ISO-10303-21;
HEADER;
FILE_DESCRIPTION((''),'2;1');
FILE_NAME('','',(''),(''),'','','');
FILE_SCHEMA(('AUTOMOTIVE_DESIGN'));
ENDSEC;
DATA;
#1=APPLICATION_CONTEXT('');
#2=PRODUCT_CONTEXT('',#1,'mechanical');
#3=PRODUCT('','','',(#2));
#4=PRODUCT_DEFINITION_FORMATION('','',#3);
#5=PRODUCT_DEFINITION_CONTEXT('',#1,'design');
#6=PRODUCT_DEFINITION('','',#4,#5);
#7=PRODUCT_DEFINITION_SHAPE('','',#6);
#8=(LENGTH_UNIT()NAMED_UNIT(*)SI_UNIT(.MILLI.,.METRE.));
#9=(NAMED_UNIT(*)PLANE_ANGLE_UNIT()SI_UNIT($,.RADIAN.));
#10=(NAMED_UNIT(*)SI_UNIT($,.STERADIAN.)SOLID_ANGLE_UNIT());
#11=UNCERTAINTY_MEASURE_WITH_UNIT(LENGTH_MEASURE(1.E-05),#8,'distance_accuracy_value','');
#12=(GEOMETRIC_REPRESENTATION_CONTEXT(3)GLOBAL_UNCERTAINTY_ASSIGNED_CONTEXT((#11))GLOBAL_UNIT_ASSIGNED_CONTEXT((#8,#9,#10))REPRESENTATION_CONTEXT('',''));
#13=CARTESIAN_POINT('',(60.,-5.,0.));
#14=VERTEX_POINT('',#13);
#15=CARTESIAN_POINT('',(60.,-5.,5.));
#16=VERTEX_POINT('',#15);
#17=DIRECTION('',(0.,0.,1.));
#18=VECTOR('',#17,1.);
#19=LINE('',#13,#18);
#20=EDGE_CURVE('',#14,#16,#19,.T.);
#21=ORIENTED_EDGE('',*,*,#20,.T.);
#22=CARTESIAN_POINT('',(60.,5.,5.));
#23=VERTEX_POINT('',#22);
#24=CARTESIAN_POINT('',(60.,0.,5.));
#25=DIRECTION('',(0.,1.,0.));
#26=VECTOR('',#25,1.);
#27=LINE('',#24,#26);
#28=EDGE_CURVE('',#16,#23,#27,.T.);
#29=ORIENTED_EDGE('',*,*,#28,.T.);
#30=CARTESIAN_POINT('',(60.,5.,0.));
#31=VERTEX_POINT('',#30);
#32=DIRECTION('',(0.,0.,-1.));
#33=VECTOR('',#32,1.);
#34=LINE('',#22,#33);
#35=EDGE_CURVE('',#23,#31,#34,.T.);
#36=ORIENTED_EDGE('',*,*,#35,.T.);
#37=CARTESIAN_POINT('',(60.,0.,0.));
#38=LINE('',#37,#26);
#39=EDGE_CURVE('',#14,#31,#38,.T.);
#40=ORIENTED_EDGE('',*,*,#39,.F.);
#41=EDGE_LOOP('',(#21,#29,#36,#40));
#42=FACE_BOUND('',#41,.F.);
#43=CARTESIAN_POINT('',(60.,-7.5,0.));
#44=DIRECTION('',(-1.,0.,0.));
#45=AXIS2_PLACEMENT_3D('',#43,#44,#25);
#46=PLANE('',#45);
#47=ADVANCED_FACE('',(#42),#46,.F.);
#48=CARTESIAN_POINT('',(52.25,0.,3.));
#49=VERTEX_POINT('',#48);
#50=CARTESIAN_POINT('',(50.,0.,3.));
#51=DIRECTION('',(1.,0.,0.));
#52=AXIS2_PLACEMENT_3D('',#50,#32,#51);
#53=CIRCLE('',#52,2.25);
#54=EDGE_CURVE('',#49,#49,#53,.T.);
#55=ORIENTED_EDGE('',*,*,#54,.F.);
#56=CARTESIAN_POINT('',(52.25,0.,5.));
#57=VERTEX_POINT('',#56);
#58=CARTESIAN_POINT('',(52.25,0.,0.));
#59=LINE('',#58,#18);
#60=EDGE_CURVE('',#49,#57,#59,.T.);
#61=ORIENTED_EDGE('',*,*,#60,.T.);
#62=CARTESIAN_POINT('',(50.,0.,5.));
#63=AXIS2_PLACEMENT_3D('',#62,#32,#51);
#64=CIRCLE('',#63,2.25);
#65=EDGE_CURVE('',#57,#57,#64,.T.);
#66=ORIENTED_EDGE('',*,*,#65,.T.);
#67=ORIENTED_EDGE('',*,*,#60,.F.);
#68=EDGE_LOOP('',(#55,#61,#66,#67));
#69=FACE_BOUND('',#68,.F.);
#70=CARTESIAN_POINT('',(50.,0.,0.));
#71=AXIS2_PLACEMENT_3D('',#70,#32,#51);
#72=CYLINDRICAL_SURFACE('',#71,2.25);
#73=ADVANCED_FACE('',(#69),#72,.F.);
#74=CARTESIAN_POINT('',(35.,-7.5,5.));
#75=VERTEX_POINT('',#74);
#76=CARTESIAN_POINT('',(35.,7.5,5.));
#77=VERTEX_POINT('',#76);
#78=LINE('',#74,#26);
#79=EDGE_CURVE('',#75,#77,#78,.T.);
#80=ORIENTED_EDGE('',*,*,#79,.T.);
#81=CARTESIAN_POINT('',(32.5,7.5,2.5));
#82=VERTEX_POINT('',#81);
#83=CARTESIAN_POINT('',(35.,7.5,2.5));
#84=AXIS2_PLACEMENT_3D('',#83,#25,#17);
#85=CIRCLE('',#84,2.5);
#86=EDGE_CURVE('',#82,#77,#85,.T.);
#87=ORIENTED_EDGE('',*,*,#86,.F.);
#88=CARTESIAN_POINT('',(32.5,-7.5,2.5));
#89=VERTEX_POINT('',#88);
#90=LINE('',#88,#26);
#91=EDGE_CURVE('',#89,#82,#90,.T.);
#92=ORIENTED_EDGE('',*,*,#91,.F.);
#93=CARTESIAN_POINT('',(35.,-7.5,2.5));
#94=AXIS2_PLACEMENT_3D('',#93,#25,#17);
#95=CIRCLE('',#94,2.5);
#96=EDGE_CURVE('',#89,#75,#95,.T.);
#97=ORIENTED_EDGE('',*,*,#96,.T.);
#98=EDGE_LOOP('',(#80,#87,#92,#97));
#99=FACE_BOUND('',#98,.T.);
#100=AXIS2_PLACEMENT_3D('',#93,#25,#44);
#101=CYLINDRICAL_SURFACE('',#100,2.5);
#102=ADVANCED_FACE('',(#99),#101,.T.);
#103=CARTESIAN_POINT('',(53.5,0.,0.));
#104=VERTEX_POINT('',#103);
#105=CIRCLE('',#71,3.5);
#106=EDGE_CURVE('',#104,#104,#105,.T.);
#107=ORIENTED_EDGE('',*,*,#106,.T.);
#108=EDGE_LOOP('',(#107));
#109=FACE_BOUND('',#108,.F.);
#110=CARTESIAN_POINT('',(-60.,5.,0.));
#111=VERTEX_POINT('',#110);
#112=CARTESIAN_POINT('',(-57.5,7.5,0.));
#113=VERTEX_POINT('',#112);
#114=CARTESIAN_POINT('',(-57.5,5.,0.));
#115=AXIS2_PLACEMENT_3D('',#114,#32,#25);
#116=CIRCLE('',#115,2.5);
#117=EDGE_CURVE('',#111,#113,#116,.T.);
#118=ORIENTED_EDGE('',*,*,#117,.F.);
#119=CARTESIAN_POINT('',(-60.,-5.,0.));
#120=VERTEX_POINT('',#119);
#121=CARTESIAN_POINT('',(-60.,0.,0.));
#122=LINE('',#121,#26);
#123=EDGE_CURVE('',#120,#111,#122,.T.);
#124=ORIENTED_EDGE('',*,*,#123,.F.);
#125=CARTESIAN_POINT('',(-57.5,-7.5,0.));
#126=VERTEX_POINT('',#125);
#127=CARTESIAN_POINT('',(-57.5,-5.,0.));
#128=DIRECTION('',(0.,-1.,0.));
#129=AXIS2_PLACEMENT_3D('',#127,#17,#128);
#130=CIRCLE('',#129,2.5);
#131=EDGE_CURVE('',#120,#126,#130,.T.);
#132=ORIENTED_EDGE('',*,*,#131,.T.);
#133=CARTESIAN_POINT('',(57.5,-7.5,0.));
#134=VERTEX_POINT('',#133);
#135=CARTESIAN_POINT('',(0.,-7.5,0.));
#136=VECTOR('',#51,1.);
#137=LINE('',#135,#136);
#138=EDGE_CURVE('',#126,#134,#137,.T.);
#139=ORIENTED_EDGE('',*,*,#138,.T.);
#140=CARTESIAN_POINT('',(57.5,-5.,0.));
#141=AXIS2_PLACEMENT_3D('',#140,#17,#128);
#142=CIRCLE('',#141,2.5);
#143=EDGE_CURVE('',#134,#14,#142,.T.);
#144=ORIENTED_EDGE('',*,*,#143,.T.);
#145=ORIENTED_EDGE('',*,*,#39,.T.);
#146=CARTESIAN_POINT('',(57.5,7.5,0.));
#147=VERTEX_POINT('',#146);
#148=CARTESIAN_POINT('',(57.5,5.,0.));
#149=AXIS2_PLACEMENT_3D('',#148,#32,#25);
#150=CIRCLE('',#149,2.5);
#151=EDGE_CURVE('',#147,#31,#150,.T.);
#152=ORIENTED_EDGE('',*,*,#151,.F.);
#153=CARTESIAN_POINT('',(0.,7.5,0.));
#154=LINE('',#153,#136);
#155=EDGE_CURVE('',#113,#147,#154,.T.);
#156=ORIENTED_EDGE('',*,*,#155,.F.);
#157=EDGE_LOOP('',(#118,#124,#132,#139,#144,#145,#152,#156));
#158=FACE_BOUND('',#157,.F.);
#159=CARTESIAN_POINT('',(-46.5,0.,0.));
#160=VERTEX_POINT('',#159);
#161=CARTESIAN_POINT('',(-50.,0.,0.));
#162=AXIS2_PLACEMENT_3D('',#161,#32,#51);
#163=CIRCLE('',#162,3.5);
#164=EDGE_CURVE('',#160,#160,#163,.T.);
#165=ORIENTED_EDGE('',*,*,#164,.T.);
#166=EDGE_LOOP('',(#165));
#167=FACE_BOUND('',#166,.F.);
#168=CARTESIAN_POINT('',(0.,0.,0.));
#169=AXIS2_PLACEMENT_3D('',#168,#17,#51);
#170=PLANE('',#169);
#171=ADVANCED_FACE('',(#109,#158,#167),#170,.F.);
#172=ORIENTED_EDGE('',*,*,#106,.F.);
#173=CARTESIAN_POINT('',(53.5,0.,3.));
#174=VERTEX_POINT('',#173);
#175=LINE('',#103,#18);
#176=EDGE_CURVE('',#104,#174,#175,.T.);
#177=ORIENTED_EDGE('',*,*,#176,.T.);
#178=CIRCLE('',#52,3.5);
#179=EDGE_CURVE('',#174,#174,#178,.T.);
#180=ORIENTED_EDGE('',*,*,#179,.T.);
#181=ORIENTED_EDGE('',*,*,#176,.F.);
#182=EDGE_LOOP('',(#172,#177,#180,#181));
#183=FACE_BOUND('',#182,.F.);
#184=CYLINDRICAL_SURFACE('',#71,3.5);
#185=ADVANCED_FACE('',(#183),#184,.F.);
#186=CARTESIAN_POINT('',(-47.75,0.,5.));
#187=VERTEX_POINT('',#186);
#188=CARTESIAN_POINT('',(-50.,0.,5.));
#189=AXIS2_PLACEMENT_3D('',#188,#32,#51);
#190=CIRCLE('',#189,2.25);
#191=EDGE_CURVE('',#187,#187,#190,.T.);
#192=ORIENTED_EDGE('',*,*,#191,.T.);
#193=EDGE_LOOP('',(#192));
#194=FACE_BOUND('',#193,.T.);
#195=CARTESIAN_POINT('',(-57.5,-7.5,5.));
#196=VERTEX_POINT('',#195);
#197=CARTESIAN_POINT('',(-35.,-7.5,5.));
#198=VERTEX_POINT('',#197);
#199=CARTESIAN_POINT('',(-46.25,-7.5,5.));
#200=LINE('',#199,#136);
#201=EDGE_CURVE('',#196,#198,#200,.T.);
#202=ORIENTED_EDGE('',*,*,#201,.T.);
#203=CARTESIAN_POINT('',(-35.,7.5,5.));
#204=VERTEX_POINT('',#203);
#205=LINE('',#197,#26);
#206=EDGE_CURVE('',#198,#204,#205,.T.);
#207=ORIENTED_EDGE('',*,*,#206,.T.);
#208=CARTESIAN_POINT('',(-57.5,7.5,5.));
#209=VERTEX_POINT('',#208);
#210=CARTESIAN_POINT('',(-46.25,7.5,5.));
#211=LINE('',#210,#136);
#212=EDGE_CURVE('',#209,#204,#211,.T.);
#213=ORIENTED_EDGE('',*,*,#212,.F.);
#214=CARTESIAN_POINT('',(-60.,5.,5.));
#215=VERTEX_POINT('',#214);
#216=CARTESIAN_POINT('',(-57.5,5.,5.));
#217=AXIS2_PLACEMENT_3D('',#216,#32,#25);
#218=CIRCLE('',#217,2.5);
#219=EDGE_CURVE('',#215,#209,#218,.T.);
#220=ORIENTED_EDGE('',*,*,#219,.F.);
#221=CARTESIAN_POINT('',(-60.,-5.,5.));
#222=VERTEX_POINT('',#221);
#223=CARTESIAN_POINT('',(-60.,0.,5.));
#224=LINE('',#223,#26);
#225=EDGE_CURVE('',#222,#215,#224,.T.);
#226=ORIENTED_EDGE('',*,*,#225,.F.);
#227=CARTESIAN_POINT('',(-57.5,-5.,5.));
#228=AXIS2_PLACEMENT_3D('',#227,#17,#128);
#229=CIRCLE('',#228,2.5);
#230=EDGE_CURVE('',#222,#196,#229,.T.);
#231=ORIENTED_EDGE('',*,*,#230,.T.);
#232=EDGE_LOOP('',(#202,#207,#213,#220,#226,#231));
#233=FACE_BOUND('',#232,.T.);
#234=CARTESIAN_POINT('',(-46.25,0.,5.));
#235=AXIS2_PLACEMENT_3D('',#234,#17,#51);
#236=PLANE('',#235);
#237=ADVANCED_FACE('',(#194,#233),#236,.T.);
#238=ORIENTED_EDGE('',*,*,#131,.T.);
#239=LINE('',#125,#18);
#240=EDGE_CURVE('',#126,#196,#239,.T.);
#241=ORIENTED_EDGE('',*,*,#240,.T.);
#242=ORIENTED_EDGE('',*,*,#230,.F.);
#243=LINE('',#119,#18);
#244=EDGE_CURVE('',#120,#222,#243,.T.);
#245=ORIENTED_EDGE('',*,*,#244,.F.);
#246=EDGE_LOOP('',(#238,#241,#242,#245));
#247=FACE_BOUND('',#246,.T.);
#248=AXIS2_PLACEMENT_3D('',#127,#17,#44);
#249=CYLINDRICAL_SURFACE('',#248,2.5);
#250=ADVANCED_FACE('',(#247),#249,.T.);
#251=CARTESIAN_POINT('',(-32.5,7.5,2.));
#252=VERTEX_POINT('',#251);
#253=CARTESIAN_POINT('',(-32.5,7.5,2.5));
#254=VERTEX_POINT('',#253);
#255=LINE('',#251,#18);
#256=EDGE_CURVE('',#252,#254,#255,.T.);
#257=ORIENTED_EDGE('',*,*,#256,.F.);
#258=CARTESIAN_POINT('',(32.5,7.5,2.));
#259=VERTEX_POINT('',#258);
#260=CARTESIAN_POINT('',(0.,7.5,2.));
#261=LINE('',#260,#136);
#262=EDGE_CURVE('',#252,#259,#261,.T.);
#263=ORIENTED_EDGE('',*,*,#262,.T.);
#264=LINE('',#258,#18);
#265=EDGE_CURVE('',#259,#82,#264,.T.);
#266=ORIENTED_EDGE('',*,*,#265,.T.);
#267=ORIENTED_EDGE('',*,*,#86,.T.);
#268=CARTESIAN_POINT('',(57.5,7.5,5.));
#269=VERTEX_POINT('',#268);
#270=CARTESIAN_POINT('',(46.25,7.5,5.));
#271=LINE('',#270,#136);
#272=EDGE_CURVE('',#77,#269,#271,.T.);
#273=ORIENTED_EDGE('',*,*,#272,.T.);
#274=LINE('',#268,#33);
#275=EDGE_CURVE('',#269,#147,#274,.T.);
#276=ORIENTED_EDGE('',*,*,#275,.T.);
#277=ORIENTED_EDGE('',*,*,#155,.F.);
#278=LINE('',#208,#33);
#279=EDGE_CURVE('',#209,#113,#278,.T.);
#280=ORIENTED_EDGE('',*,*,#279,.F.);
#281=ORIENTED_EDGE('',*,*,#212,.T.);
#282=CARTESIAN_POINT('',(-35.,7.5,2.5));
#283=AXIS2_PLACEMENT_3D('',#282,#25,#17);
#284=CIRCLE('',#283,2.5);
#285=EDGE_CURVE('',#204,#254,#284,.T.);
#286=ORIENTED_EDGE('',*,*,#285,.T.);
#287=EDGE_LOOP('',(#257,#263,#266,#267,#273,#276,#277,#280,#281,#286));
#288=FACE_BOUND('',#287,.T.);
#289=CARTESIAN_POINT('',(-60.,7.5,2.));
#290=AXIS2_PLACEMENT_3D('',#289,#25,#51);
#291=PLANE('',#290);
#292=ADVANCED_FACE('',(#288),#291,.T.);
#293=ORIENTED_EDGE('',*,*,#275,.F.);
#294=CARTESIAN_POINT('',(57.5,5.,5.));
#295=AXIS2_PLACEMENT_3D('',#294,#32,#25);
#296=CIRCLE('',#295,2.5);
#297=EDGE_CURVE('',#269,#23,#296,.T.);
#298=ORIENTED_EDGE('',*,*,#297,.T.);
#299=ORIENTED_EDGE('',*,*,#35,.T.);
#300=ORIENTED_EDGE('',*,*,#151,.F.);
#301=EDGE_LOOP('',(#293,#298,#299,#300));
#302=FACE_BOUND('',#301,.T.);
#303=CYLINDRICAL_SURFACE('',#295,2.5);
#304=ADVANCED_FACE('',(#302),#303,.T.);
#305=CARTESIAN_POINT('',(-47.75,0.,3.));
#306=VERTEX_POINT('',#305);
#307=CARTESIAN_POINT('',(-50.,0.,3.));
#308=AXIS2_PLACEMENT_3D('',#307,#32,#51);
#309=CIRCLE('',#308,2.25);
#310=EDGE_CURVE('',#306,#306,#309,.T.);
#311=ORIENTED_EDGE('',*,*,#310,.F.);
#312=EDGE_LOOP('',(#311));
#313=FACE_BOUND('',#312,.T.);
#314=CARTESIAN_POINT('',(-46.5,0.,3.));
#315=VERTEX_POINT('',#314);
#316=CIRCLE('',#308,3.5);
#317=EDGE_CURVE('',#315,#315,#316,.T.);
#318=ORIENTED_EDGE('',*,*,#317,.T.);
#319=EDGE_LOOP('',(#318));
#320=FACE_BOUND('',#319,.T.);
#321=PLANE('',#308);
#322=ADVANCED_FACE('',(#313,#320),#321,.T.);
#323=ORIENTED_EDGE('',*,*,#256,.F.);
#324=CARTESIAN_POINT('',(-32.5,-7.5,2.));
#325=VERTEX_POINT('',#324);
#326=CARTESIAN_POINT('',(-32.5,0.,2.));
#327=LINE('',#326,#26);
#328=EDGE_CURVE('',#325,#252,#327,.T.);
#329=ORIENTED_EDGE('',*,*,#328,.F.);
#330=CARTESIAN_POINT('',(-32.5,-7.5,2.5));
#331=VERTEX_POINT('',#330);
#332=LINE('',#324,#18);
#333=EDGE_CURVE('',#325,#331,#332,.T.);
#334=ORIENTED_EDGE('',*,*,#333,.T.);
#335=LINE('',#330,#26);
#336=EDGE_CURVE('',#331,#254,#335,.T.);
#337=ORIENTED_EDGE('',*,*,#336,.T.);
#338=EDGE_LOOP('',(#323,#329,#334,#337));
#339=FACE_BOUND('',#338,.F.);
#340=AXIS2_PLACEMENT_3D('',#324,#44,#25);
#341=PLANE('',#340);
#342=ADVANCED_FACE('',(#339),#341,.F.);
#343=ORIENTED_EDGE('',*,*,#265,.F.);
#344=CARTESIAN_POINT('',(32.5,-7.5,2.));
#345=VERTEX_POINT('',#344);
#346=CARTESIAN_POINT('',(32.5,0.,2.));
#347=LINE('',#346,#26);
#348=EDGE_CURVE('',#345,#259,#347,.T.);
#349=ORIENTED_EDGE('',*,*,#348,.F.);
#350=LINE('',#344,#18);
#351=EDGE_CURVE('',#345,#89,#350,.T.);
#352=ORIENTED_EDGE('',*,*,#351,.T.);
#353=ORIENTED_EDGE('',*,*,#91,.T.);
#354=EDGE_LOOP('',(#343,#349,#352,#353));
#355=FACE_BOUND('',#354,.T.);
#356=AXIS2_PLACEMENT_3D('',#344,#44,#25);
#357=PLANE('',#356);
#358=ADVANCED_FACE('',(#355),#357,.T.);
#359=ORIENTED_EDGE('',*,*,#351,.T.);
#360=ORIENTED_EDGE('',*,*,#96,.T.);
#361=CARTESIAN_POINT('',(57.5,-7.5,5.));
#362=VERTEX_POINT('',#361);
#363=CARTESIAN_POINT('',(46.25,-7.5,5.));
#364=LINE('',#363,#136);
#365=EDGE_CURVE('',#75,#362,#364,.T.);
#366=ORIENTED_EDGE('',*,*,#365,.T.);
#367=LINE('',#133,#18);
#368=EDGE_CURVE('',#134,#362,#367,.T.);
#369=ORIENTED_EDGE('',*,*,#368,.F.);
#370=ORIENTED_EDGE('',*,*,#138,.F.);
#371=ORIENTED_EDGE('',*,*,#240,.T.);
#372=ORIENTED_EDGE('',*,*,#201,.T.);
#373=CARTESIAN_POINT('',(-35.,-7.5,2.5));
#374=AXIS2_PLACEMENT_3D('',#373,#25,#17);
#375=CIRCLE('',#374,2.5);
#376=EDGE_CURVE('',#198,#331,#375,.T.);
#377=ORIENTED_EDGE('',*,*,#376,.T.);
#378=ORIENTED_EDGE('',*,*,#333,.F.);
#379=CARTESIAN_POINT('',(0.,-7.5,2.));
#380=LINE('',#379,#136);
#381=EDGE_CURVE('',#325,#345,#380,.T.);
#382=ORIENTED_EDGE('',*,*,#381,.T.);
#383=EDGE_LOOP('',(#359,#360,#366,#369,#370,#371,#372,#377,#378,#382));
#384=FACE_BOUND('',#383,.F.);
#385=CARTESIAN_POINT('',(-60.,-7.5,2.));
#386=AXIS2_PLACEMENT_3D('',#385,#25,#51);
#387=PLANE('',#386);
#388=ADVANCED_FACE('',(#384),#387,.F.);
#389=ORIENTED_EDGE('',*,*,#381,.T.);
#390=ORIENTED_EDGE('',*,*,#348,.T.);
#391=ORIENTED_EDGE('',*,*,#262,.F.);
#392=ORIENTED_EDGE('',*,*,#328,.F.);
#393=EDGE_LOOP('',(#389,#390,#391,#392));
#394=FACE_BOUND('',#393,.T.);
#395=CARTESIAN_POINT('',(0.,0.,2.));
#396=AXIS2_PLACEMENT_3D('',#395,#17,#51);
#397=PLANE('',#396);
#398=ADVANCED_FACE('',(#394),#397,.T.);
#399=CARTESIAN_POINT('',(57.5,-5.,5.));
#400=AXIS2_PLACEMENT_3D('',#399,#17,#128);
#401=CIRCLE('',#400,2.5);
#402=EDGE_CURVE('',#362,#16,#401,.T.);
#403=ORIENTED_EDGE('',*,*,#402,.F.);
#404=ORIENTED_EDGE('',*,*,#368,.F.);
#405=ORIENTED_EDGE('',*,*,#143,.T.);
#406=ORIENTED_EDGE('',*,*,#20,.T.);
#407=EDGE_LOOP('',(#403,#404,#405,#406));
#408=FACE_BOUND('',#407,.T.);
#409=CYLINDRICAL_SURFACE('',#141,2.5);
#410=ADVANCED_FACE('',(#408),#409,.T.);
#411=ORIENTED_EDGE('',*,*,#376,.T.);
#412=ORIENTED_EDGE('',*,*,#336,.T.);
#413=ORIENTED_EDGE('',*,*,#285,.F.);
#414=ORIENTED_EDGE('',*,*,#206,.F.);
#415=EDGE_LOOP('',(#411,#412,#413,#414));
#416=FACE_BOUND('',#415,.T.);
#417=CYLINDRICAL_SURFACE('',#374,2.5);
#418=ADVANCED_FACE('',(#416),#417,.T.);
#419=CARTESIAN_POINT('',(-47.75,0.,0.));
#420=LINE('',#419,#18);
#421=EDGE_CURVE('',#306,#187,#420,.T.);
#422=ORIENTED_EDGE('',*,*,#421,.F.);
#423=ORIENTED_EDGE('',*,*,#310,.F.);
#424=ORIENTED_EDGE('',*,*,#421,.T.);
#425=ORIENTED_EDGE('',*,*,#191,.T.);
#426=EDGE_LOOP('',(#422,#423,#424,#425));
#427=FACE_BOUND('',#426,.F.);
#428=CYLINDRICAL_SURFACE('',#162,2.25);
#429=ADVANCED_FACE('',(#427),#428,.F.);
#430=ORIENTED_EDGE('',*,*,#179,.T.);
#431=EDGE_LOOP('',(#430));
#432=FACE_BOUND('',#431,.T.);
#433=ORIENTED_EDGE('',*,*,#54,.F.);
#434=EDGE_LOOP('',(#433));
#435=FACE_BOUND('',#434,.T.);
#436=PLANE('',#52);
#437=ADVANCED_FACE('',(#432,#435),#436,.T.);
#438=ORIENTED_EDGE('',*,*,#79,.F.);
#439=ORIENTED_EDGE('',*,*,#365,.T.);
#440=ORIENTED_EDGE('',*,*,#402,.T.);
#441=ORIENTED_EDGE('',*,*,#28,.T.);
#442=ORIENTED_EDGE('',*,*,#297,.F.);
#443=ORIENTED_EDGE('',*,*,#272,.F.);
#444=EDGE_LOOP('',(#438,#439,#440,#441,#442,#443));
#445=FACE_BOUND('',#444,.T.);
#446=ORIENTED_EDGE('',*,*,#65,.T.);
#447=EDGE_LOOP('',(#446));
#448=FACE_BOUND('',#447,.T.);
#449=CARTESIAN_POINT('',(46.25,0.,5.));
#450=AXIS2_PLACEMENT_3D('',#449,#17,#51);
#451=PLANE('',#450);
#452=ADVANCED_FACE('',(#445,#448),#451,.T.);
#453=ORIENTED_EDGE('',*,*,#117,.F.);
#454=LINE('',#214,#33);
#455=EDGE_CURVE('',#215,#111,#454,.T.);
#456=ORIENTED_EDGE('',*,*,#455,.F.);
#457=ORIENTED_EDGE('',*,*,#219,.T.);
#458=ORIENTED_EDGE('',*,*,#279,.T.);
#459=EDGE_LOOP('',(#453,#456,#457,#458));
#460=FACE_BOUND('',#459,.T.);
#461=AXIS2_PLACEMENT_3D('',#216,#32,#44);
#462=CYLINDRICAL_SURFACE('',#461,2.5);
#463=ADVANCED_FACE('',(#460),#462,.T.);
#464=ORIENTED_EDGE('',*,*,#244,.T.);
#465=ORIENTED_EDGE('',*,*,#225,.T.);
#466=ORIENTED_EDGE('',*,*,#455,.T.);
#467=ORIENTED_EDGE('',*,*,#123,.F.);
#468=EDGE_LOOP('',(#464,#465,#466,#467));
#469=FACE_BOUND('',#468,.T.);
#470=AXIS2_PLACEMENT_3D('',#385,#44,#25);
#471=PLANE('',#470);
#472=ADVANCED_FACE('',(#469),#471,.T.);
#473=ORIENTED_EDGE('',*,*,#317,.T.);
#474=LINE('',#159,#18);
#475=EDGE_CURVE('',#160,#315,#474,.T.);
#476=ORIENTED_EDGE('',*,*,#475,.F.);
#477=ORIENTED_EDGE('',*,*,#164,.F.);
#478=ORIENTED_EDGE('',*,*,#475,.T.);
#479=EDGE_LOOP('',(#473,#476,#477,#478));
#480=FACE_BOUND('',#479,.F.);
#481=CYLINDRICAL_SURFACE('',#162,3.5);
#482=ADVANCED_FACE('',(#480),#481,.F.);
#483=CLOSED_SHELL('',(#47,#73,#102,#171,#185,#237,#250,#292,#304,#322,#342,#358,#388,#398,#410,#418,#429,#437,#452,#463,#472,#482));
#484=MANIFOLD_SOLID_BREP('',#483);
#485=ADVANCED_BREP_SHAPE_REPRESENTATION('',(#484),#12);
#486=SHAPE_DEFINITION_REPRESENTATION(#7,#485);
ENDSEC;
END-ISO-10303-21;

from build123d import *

# Parameters (mm, degrees)
F0_W     = 120
F0_H     = 15
F1_DEPTH = 2
F2_W     = 27.5
F2_H     = 15
F3_DEPTH = 3
F4_R     = 2.25
F5_DEPTH = 5
F6_R     = 2.5
F4_R_2   = 3.5
F7_DEPTH = 3


with BuildPart() as f1:
    # F0 (on Top) → F1 (new body)
    with BuildSketch(Plane.XY):
        Rectangle(F0_W, F0_H)
    extrude(amount=F1_DEPTH)

    # F2 (on face) → F3 (join)
    with BuildSketch(Plane.XY.offset(2)):
        with Locations((-46.25, 0)):
            Rectangle(F2_W, F2_H)
        with Locations((46.25, 0)):
            Rectangle(F2_W, F2_H)
    extrude(amount=F3_DEPTH)

    # F4 (on face) → F5 (cut)
    with BuildSketch(Plane(origin=(0, 0, 0), x_dir=(1, 0, 0), z_dir=(0, 0, -1))):
        with Locations((-50, 0)):
            Circle(F4_R)
        with Locations((50, 0)):
            Circle(F4_R)
    extrude(amount=-F5_DEPTH, mode=Mode.SUBTRACT)

    # F6
    f6_edges = [f1.edges().sort_by_distance(p)[0] for p in [
        (60, 7.5, 2.5),
        (60, -7.5, 2.5),
        (-60, 7.5, 2.5),
        (-60, -7.5, 2.5),
        (32.5, 0, 5),
        (-32.5, 0, 5),
    ]]
    fillet(f6_edges, radius=F6_R)

    # F4 (on face) → F7 (cut)
    with BuildSketch(Plane(origin=(0, 0, 0), x_dir=(1, 0, 0), z_dir=(0, 0, -1))):
        with Locations((-50, 0)):
            Circle(F4_R_2)
        with Locations((-50, 0)):
            Circle(F4_R, mode=Mode.SUBTRACT)
        with Locations((50, 0)):
            Circle(F4_R_2)
        with Locations((50, 0)):
            Circle(F4_R, mode=Mode.SUBTRACT)
    extrude(amount=-F7_DEPTH, mode=Mode.SUBTRACT)


solid = f1.part
